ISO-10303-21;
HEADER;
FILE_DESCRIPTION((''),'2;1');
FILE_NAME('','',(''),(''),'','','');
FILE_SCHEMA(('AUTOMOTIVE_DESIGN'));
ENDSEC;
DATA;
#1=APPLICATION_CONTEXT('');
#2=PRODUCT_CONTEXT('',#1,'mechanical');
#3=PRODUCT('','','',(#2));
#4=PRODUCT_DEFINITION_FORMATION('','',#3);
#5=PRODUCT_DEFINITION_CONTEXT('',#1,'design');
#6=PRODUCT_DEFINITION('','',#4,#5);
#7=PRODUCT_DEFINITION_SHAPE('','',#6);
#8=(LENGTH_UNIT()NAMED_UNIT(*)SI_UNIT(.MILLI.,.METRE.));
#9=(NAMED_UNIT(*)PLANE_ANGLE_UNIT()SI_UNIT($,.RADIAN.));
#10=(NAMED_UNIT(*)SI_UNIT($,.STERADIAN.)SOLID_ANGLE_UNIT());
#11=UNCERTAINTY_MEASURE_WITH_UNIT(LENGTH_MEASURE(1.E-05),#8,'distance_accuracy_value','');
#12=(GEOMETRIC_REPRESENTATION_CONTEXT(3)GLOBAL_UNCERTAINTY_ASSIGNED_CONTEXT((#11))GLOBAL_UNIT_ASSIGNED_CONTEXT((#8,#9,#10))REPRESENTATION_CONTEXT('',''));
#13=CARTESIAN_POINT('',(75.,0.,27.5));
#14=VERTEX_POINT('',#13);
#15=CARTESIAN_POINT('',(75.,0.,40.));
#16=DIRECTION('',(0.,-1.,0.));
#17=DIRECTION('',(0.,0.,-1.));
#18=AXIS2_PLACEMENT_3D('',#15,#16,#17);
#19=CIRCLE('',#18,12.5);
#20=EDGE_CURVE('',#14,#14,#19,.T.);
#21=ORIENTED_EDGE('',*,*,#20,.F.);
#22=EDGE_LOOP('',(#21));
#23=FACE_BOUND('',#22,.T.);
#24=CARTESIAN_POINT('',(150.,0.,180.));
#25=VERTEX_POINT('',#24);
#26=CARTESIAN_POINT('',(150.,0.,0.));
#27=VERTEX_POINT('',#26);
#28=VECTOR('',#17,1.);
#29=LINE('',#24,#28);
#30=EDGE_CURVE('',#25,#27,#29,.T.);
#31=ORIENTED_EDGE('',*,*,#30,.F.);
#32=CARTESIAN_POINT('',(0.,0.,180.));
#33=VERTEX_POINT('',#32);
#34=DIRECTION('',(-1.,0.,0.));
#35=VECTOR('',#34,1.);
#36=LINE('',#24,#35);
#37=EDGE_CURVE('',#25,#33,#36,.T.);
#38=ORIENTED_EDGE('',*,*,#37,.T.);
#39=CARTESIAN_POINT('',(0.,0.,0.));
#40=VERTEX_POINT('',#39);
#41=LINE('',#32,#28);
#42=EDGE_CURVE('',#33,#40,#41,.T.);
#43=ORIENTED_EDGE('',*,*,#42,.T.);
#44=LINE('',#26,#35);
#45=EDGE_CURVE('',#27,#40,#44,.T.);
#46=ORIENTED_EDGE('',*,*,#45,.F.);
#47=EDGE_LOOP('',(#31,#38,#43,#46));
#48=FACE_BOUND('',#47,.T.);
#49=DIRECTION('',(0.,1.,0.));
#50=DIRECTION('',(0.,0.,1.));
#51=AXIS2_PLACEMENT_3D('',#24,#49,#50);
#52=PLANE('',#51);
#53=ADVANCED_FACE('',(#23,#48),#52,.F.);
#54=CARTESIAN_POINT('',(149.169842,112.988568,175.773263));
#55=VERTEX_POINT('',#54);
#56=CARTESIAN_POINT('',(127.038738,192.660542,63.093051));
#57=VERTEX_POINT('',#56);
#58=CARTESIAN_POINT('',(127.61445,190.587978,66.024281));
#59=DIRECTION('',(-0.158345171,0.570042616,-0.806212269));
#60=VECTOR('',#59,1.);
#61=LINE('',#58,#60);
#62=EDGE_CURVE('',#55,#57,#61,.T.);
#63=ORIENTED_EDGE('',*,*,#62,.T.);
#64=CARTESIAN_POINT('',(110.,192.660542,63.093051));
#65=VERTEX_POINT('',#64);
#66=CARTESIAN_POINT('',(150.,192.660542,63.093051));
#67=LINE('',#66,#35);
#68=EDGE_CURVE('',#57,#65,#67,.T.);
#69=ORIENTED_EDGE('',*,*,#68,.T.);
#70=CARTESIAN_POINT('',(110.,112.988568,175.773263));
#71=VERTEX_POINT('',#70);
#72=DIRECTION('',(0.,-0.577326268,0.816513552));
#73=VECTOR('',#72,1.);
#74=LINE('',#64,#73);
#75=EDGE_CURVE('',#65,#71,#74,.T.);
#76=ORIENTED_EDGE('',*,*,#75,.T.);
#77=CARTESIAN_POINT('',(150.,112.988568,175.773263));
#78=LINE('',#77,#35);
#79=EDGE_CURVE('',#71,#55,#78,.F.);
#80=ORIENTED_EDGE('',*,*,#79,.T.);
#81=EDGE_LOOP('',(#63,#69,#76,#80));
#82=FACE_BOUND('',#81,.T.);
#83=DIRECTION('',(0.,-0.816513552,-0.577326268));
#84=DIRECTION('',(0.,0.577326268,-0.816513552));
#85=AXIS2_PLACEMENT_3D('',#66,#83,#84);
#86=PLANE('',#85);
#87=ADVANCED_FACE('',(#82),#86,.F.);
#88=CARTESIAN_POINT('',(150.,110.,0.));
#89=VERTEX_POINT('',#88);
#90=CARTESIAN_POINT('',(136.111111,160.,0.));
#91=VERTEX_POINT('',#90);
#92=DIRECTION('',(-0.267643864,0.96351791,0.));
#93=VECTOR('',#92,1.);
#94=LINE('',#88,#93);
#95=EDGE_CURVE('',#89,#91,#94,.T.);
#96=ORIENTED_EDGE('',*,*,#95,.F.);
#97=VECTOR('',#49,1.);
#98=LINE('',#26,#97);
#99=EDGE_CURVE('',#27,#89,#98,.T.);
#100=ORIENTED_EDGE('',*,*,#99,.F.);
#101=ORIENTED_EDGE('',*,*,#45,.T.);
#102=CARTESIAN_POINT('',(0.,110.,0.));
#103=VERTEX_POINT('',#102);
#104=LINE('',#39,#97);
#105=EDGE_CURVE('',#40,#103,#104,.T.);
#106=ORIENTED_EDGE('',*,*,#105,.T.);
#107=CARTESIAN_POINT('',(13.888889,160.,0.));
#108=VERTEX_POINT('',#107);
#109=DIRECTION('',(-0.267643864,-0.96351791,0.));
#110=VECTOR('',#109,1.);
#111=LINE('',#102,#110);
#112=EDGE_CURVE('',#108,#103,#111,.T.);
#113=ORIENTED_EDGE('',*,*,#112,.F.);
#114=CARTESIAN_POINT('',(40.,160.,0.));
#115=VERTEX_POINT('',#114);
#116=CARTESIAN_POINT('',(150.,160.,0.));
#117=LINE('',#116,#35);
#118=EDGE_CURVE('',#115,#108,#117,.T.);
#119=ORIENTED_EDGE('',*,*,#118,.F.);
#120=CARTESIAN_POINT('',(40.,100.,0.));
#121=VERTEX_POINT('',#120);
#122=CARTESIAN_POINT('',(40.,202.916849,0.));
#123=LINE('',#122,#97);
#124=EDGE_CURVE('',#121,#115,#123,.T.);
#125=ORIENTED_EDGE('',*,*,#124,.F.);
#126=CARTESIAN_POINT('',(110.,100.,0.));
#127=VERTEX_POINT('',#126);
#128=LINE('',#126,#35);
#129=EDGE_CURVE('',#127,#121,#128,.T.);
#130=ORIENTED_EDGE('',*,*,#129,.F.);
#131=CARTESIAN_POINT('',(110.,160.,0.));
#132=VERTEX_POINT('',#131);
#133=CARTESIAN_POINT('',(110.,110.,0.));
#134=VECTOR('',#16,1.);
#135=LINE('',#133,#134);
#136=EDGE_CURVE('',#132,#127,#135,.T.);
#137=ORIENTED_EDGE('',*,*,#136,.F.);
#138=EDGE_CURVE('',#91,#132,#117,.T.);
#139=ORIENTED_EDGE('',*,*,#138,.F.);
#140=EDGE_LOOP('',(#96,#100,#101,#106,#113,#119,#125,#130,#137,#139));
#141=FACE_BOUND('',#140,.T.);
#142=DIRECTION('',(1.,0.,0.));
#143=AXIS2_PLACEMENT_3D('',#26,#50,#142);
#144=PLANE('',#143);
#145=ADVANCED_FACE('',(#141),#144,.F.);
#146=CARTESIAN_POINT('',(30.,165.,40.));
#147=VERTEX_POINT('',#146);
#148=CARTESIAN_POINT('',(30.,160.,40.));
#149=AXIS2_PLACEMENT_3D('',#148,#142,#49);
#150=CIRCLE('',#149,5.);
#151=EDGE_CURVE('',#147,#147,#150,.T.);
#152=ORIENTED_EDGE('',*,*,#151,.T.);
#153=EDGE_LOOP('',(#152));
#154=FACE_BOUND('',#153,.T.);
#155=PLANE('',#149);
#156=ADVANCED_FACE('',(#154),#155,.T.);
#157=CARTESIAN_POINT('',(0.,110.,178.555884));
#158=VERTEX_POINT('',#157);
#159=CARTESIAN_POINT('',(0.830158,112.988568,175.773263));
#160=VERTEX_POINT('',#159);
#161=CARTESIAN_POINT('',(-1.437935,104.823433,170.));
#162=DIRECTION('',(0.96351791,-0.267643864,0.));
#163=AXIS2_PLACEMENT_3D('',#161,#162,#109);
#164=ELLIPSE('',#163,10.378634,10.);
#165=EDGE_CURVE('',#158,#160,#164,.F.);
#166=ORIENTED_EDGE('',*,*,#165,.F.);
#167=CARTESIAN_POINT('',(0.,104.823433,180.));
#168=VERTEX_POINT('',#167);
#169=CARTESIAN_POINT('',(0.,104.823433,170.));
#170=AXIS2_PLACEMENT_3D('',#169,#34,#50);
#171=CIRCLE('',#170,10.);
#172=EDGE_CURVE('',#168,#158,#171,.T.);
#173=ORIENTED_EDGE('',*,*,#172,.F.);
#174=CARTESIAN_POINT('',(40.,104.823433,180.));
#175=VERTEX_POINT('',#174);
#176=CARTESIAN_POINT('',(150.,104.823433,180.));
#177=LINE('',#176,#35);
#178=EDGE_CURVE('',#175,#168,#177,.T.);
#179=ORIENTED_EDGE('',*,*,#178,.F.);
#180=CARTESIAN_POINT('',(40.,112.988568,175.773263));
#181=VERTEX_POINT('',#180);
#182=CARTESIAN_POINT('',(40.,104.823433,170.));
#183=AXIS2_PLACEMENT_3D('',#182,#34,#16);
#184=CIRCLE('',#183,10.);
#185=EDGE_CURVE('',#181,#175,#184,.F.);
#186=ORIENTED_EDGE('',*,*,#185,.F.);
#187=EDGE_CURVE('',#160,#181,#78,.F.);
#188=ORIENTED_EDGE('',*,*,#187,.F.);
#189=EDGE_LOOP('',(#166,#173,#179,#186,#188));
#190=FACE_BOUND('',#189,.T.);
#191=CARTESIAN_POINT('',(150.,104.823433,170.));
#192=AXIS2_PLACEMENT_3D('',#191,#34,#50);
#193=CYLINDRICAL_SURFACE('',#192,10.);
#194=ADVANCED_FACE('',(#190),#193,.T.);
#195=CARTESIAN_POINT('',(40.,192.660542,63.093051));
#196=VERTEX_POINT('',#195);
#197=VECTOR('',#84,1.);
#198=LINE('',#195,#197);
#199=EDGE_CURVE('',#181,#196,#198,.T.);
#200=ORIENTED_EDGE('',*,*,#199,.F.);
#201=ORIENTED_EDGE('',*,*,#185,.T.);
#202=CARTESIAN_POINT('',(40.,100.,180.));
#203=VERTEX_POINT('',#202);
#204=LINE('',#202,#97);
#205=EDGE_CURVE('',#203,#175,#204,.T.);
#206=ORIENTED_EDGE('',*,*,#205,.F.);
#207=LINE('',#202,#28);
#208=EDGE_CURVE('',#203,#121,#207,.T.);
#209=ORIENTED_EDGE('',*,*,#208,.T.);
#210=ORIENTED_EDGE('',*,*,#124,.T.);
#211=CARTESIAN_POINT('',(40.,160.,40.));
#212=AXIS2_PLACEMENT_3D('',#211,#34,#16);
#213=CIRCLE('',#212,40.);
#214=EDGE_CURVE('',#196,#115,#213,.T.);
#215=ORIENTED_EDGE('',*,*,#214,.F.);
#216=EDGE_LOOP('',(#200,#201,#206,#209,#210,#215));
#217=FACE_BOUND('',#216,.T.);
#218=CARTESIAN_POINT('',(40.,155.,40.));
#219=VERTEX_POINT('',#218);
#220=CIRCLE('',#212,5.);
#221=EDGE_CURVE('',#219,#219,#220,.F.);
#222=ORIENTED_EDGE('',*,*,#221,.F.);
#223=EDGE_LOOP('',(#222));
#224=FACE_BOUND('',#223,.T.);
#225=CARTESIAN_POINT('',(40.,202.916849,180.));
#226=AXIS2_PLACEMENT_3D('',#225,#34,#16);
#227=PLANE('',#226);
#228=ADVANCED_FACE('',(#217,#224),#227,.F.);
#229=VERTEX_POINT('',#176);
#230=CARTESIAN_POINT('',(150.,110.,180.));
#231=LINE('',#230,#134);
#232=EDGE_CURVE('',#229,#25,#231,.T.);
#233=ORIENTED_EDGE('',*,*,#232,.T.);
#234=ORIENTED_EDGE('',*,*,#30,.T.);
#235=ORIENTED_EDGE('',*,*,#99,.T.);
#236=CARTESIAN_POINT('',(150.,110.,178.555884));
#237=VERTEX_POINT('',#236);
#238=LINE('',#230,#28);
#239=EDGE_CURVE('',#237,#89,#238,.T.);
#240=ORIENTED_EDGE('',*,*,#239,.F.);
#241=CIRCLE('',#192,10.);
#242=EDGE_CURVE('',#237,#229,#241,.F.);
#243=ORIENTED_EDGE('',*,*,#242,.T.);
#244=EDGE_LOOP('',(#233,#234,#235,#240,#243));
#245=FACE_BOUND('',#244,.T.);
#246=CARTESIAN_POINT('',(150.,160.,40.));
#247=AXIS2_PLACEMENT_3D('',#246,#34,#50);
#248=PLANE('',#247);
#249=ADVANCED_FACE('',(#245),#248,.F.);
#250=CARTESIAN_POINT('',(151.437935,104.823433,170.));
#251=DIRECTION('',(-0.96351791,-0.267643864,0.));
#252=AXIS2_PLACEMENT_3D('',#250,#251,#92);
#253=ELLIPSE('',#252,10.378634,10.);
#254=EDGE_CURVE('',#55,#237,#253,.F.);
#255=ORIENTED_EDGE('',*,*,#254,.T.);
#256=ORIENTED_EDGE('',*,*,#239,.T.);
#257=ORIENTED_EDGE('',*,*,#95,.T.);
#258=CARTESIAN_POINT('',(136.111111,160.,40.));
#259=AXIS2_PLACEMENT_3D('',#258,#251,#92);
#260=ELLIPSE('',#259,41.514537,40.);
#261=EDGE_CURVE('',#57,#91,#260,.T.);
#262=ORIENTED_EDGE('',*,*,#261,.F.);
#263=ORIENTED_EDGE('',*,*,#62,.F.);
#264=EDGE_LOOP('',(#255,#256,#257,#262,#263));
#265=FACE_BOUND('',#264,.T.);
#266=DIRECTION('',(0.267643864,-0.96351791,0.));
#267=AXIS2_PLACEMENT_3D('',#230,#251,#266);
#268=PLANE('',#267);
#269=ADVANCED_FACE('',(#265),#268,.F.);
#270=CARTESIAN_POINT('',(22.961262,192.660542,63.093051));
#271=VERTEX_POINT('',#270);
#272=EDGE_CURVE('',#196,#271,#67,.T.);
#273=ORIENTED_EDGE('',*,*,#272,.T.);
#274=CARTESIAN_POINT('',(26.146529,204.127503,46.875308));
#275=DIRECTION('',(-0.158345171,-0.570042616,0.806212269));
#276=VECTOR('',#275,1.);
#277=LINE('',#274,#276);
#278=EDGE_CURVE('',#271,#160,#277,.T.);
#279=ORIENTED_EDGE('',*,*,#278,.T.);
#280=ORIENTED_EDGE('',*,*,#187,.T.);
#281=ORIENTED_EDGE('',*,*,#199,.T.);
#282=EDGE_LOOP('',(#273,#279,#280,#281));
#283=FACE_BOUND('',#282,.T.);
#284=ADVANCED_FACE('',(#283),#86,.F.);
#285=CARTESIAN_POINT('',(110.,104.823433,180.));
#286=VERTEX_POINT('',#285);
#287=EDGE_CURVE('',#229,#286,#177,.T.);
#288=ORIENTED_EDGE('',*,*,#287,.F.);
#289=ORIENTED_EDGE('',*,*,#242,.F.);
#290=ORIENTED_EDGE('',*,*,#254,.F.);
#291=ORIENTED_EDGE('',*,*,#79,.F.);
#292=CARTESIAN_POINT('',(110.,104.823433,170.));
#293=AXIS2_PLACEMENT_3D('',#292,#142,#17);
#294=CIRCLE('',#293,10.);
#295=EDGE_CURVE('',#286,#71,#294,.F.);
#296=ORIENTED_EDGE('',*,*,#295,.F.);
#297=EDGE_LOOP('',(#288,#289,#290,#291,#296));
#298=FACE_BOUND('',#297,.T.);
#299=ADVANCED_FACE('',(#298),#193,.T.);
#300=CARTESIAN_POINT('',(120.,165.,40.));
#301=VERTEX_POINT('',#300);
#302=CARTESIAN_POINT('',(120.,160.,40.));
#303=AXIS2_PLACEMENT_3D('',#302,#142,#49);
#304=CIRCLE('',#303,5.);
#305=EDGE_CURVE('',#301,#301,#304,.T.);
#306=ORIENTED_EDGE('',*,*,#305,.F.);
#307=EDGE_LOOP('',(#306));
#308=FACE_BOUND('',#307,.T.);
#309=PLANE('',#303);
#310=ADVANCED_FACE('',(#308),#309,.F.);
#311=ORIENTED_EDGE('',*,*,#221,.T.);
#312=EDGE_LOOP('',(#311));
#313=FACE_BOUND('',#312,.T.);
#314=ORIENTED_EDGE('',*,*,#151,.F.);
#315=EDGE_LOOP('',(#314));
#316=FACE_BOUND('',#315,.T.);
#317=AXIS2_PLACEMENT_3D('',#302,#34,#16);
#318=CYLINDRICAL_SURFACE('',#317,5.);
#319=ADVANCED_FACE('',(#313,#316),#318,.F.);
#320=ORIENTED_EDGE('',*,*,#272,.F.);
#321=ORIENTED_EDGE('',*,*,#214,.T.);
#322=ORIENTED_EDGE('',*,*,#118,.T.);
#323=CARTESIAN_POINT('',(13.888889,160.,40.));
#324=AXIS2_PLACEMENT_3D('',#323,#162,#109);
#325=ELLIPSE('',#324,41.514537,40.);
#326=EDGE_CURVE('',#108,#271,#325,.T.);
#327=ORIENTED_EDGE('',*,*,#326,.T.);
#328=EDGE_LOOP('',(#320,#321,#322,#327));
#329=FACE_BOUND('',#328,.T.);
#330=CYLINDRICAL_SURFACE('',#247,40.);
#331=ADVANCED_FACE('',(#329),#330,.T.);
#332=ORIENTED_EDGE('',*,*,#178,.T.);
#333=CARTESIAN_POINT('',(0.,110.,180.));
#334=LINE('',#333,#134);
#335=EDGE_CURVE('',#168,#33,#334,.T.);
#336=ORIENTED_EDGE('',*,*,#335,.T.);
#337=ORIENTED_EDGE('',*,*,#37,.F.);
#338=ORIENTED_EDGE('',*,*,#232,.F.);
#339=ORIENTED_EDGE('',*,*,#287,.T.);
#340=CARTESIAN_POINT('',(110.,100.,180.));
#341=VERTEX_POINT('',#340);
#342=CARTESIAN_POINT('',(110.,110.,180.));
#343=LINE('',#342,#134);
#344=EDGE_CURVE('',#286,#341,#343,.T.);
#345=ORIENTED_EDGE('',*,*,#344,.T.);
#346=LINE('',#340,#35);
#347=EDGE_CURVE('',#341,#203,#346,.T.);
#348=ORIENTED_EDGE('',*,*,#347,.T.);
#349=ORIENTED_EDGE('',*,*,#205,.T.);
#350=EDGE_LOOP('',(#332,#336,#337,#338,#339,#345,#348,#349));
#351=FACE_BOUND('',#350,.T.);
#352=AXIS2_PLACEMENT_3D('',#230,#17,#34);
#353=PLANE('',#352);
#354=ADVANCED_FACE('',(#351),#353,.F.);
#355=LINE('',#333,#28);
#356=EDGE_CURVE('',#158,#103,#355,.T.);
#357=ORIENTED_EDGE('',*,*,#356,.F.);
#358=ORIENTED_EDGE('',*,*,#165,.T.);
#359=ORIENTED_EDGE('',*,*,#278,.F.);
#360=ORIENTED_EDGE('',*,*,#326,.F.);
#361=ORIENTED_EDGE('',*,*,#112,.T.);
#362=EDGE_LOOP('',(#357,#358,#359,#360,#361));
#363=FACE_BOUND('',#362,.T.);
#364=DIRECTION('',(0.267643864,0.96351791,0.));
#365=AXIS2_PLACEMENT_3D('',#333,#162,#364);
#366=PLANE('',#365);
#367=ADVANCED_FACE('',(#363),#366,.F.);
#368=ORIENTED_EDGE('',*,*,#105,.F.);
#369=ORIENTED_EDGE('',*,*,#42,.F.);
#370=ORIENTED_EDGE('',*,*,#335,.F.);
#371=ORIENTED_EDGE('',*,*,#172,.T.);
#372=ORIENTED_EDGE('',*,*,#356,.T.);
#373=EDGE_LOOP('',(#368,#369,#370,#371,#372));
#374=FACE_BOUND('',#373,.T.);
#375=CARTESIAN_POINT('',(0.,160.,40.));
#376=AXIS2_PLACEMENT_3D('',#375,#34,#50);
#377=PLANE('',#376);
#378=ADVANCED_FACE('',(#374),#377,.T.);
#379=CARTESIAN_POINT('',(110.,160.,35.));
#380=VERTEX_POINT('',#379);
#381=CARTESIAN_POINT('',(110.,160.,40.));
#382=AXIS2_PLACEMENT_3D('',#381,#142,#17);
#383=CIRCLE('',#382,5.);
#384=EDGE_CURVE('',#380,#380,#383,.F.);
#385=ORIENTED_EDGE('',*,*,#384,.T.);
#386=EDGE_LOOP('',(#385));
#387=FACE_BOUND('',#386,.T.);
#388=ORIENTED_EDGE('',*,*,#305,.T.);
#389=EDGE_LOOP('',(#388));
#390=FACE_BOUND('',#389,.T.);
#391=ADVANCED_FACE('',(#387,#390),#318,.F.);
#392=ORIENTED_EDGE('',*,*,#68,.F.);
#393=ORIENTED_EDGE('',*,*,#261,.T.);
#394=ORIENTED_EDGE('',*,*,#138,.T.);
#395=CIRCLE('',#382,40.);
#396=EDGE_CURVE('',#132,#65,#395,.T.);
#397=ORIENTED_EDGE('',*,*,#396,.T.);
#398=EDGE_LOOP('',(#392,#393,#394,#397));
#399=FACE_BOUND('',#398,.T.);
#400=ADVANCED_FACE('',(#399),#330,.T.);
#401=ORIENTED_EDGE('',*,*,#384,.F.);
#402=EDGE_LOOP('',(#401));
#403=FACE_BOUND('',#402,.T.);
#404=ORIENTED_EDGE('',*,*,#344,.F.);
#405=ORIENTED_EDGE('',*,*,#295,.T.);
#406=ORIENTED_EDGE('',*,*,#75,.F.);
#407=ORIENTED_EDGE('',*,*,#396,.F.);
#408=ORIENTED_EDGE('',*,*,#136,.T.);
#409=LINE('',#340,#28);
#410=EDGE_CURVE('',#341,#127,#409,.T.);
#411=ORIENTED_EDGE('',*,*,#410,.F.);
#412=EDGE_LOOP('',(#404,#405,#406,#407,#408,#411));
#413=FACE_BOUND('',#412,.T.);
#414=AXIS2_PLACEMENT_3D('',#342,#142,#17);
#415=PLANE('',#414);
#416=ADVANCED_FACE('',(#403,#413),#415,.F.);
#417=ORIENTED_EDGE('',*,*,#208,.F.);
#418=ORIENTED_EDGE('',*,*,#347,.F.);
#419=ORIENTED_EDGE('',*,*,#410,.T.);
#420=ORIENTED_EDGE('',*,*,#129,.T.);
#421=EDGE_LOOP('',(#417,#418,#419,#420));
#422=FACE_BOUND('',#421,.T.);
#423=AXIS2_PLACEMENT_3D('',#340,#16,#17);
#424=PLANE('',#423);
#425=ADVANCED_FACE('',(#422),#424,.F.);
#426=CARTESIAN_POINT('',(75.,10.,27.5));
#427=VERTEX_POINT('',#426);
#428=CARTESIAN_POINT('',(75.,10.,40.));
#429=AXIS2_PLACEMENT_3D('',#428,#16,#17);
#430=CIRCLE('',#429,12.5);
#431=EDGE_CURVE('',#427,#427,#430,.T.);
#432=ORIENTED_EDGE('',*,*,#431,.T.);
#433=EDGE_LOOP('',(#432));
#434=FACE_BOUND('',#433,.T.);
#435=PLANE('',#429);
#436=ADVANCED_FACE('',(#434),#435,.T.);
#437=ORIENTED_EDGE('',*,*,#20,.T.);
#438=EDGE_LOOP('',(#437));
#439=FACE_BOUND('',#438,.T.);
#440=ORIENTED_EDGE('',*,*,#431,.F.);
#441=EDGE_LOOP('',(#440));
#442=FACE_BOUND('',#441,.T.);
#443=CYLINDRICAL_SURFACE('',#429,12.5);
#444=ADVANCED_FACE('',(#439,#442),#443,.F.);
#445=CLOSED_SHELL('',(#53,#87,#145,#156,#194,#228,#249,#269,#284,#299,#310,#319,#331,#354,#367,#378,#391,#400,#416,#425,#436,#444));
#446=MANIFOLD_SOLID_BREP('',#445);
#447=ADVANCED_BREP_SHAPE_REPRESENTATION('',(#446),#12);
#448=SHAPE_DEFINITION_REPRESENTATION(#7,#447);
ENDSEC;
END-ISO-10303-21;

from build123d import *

# Parameters (mm, degrees)
EXTRUDE_1_DEPTH         = 150
FILLET_1_R              = 10
CUT_EXTRUDE_1_DEPTH     = 309.058436015
SKETCH1_R               = 12.5
CUT_EXTRUDE1_DEPTH      = 10
CUT_EXTRUDE2_DEPTH      = 80
CUT_EXTRUDE2_DEPTH_BACK = 10
SKETCH2_R               = 5


with BuildPart() as part:
    # 草圖1 → 填料-伸長1 (new body)
    with BuildSketch(Plane(origin=(0, 0, 0), x_dir=(0, 0, -1), z_dir=(1, 0, 0))):
        with BuildLine():
            Line((0, 0), (0, 160))
            ThreePointArc((0, 160), (-21.611444176, 195.522683101), (-63.093050736, 192.660542061))
            Line((-63.093050736, 192.660542061), (-180, 110))
            Line((-180, 110), (-180, 0))
            Line((-180, 0), (0, 0))
        make_face()
    extrude(amount=EXTRUDE_1_DEPTH)

    # 圓角1
    fillet_1_edges = [part.edges().sort_by_distance(p)[0] for p in [
        (75, 110, 180),
    ]]
    fillet(fillet_1_edges, radius=FILLET_1_R)

    # 草圖2 → 除料-伸長1 (cut, through all)
    with BuildSketch(Plane(origin=(0, 0, 0), x_dir=(-1, 0, 0), z_dir=(0, 0, -1))):
        Polygon((-150, 110), (-125, 200), (-125, 212.317241835), (-176.077029544, 212.317241835), (-176.077029544, 111.407234288), align=None)
        Polygon((-110, 110), (-110, 202.916849344), (-40, 202.916849344), (-40, 110), (-40, 100), (-110, 100), align=None)
        Polygon((26.077029544, 111.407234288), (0, 110), (-25, 200), (-25, 212.317241835), (26.077029544, 212.317241835), align=None)
    extrude(amount=-CUT_EXTRUDE_1_DEPTH, mode=Mode.SUBTRACT)

    # Sketch1 → Cut-Extrude1 (cut)
    with BuildSketch(Plane.XZ):
        with Locations(Location((75, 40, 0), (0, 0, 270))):
            Circle(SKETCH1_R)
    extrude(amount=-CUT_EXTRUDE1_DEPTH, mode=Mode.SUBTRACT)

    # Sketch2 → Cut-Extrude2 (cut, two sides: drawn at the far end of the back side and taken through both)
    with BuildSketch(Plane(origin=(40, 0, 0), x_dir=(0, 0, -1), z_dir=(1, 0, 0)).offset(-CUT_EXTRUDE2_DEPTH_BACK)):
        with Locations(Location((-40, 160, 0), (0, 0, 270))):
            Circle(SKETCH2_R)
    extrude(amount=CUT_EXTRUDE2_DEPTH + CUT_EXTRUDE2_DEPTH_BACK, mode=Mode.SUBTRACT)


solid = part.part
